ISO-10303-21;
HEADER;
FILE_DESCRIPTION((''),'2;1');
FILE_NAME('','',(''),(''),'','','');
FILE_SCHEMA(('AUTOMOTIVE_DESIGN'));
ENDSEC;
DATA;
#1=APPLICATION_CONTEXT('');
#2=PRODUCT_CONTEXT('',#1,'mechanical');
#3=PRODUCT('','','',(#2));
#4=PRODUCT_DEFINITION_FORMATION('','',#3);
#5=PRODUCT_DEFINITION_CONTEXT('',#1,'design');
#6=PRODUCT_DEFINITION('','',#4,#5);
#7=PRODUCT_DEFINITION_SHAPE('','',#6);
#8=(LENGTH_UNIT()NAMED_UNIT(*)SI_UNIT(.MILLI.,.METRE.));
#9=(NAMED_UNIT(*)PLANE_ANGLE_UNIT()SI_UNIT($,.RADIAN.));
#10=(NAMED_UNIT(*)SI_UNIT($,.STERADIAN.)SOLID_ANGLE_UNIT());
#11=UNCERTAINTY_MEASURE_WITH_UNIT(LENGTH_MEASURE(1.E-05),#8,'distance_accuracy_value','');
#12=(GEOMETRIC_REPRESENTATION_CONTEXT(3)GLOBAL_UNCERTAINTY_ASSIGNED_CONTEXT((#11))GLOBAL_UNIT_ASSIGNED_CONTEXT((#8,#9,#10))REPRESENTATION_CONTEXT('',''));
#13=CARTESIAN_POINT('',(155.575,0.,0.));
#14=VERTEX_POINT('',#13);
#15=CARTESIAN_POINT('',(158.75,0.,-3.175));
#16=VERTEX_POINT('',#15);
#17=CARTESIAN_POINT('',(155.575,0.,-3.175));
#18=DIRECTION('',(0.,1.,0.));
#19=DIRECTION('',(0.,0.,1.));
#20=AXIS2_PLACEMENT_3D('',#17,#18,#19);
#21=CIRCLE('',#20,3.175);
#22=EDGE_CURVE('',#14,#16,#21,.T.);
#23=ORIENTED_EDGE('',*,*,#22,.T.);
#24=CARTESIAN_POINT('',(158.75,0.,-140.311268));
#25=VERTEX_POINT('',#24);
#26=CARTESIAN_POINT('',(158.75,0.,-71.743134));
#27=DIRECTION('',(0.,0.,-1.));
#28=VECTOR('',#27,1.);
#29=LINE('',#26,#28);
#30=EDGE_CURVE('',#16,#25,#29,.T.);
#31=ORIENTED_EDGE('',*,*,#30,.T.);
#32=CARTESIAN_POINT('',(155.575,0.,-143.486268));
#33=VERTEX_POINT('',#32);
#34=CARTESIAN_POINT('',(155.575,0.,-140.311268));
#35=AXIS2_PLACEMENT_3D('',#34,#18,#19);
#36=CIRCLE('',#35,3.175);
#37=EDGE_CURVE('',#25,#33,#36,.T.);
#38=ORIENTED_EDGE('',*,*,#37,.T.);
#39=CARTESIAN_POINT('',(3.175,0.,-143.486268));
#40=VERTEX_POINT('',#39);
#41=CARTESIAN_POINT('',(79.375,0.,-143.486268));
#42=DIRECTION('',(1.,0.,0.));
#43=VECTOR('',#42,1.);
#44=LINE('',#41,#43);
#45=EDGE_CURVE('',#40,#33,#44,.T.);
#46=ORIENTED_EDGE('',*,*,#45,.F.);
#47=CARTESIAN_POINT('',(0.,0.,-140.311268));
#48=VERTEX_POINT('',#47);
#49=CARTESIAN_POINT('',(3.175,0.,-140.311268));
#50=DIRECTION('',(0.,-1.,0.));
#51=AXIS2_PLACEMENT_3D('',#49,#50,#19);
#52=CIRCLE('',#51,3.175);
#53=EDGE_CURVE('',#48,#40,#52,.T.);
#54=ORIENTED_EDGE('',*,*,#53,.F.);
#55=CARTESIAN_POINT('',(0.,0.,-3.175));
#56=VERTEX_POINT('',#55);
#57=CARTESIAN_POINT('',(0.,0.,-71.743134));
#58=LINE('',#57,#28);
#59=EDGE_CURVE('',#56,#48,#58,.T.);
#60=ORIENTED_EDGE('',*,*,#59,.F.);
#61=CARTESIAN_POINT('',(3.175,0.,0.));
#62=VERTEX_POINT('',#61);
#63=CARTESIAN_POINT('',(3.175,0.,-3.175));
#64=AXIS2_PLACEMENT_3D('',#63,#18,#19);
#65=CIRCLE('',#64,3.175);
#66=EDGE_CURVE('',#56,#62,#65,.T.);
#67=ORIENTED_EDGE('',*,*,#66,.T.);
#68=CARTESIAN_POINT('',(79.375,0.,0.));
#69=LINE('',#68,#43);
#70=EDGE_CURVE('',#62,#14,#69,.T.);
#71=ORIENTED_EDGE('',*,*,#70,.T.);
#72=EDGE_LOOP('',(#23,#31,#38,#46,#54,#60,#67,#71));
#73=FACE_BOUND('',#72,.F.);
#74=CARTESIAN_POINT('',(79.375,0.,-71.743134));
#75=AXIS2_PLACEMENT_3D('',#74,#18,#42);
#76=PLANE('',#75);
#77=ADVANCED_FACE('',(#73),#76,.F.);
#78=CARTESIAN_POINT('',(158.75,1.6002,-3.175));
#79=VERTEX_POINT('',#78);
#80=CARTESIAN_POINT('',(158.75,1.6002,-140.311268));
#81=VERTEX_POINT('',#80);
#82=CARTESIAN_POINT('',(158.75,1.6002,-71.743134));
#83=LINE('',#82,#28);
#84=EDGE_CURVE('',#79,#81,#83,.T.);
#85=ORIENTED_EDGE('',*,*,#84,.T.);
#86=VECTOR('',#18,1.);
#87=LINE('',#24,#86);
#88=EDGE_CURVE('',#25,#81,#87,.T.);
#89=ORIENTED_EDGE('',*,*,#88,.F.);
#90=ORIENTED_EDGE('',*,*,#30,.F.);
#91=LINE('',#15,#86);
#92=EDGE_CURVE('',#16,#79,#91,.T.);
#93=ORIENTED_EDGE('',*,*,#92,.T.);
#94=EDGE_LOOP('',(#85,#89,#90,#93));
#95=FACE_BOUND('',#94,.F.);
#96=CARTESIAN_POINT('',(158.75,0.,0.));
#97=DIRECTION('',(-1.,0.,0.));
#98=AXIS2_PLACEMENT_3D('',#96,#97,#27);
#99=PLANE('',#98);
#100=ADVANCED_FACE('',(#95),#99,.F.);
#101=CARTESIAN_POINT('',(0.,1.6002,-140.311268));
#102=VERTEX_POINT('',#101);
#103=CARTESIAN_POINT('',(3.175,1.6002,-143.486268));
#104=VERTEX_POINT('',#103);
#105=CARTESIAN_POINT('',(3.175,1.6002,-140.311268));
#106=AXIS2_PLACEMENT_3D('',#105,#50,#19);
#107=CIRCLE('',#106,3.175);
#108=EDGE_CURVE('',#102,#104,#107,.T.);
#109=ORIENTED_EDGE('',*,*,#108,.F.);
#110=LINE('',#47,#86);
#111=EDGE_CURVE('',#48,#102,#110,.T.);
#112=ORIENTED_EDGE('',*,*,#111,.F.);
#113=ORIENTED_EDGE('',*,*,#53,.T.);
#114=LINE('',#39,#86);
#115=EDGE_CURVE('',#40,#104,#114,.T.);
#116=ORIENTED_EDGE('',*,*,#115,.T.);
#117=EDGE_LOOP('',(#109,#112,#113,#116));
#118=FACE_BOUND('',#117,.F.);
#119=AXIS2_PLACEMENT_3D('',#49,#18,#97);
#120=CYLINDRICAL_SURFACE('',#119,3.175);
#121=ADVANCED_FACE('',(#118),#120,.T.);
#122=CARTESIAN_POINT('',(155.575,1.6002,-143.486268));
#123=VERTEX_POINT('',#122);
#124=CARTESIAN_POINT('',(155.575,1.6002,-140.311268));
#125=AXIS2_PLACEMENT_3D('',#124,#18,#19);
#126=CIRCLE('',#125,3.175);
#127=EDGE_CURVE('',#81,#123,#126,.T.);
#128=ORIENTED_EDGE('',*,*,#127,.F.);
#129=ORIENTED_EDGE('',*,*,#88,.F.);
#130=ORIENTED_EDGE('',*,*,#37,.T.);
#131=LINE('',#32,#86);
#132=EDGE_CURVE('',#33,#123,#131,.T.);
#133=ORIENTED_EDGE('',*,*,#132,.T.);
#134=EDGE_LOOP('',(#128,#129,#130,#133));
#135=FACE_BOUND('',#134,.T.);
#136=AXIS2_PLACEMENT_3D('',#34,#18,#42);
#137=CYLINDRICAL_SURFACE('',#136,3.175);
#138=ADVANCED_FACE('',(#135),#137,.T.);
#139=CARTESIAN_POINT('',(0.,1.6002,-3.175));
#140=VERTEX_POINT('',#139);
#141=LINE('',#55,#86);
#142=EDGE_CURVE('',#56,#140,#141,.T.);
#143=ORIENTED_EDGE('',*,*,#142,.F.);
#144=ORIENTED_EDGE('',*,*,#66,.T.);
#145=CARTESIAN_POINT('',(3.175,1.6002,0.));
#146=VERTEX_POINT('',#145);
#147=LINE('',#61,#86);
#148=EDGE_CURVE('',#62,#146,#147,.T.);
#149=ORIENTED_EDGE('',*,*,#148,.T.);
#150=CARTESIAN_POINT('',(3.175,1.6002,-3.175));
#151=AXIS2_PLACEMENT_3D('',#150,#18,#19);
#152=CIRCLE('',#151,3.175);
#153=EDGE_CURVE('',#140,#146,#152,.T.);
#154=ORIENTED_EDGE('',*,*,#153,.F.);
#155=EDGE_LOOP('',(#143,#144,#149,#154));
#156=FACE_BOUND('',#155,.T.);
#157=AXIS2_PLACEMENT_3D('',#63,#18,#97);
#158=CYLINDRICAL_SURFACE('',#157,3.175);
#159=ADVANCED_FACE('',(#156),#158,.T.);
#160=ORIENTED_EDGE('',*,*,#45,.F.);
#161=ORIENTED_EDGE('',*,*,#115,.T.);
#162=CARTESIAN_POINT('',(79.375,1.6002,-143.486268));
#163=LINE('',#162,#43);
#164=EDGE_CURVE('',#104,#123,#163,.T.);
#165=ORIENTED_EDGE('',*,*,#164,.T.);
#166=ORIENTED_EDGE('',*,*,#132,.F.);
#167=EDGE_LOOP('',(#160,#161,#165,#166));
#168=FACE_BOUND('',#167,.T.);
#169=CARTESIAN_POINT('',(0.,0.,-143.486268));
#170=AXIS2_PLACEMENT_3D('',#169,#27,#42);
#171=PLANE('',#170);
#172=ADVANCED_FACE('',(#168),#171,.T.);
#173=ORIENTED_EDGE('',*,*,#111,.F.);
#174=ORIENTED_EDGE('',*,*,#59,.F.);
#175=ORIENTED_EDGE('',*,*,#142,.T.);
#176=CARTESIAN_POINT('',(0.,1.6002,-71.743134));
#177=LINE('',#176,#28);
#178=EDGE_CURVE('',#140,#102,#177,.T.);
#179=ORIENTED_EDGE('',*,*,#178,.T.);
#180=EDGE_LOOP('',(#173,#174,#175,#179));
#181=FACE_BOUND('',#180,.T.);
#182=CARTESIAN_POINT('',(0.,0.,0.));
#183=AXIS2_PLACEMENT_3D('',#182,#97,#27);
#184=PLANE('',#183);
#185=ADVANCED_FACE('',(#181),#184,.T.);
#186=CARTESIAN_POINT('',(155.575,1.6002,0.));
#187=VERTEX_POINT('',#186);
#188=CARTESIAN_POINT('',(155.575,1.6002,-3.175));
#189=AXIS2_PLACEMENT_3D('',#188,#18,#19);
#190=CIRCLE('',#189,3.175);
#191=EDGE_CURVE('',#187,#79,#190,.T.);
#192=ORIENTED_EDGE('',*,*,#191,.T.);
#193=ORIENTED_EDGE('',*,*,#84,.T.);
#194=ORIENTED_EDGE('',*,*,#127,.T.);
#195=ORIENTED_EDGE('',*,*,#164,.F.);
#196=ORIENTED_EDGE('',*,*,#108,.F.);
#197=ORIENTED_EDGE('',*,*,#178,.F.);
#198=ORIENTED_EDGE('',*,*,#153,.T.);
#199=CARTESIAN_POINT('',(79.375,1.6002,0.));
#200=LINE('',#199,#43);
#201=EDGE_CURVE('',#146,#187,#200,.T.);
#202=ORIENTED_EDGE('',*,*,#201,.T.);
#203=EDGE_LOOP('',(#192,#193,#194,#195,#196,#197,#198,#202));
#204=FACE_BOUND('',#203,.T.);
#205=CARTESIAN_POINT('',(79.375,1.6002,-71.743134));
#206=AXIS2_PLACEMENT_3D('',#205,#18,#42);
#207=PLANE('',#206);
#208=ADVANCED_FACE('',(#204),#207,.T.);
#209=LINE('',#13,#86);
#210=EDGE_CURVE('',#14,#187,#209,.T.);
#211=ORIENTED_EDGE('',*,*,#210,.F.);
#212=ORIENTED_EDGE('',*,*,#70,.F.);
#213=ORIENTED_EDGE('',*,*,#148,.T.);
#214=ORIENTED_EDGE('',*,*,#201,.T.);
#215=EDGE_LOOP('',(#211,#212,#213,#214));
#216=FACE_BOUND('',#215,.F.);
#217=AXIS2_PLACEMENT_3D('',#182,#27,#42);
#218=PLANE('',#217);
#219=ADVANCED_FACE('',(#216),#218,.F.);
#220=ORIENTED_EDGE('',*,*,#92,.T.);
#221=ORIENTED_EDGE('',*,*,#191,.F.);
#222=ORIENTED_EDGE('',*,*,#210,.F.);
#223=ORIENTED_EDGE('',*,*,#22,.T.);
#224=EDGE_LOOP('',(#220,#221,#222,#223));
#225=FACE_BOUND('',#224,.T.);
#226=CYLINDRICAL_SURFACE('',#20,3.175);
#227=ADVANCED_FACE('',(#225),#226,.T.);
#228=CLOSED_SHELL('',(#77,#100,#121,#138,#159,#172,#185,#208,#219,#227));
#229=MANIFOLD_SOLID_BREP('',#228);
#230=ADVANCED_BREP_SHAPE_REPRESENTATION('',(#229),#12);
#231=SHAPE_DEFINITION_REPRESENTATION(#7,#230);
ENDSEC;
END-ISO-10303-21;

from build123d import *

# Parameters (mm, degrees)
SKETCH1_W           = 158.75
SKETCH1_H           = 143.486267915
BOSS_EXTRUDE1_DEPTH = 1.6002
FILLET1_R           = 3.175


with BuildPart() as part:
    # Sketch1 → Boss-Extrude1 (new body)
    with BuildSketch(Plane(origin=(0, 0, 0), x_dir=(1, 0, 0), z_dir=(0, 1, 0))):
        with Locations((79.375, 71.743133958)):
            Rectangle(SKETCH1_W, SKETCH1_H)
    extrude(amount=BOSS_EXTRUDE1_DEPTH)

    # Fillet1
    fillet1_edges = [part.edges().sort_by_distance(p)[0] for p in [
        (158.75, 0.8001, 0),
        (0, 0.8001, 0),
        (0, 0.8001, -143.486267915),
        (158.75, 0.8001, -143.486267915),
    ]]
    fillet(fillet1_edges, radius=FILLET1_R)


solid = part.part
